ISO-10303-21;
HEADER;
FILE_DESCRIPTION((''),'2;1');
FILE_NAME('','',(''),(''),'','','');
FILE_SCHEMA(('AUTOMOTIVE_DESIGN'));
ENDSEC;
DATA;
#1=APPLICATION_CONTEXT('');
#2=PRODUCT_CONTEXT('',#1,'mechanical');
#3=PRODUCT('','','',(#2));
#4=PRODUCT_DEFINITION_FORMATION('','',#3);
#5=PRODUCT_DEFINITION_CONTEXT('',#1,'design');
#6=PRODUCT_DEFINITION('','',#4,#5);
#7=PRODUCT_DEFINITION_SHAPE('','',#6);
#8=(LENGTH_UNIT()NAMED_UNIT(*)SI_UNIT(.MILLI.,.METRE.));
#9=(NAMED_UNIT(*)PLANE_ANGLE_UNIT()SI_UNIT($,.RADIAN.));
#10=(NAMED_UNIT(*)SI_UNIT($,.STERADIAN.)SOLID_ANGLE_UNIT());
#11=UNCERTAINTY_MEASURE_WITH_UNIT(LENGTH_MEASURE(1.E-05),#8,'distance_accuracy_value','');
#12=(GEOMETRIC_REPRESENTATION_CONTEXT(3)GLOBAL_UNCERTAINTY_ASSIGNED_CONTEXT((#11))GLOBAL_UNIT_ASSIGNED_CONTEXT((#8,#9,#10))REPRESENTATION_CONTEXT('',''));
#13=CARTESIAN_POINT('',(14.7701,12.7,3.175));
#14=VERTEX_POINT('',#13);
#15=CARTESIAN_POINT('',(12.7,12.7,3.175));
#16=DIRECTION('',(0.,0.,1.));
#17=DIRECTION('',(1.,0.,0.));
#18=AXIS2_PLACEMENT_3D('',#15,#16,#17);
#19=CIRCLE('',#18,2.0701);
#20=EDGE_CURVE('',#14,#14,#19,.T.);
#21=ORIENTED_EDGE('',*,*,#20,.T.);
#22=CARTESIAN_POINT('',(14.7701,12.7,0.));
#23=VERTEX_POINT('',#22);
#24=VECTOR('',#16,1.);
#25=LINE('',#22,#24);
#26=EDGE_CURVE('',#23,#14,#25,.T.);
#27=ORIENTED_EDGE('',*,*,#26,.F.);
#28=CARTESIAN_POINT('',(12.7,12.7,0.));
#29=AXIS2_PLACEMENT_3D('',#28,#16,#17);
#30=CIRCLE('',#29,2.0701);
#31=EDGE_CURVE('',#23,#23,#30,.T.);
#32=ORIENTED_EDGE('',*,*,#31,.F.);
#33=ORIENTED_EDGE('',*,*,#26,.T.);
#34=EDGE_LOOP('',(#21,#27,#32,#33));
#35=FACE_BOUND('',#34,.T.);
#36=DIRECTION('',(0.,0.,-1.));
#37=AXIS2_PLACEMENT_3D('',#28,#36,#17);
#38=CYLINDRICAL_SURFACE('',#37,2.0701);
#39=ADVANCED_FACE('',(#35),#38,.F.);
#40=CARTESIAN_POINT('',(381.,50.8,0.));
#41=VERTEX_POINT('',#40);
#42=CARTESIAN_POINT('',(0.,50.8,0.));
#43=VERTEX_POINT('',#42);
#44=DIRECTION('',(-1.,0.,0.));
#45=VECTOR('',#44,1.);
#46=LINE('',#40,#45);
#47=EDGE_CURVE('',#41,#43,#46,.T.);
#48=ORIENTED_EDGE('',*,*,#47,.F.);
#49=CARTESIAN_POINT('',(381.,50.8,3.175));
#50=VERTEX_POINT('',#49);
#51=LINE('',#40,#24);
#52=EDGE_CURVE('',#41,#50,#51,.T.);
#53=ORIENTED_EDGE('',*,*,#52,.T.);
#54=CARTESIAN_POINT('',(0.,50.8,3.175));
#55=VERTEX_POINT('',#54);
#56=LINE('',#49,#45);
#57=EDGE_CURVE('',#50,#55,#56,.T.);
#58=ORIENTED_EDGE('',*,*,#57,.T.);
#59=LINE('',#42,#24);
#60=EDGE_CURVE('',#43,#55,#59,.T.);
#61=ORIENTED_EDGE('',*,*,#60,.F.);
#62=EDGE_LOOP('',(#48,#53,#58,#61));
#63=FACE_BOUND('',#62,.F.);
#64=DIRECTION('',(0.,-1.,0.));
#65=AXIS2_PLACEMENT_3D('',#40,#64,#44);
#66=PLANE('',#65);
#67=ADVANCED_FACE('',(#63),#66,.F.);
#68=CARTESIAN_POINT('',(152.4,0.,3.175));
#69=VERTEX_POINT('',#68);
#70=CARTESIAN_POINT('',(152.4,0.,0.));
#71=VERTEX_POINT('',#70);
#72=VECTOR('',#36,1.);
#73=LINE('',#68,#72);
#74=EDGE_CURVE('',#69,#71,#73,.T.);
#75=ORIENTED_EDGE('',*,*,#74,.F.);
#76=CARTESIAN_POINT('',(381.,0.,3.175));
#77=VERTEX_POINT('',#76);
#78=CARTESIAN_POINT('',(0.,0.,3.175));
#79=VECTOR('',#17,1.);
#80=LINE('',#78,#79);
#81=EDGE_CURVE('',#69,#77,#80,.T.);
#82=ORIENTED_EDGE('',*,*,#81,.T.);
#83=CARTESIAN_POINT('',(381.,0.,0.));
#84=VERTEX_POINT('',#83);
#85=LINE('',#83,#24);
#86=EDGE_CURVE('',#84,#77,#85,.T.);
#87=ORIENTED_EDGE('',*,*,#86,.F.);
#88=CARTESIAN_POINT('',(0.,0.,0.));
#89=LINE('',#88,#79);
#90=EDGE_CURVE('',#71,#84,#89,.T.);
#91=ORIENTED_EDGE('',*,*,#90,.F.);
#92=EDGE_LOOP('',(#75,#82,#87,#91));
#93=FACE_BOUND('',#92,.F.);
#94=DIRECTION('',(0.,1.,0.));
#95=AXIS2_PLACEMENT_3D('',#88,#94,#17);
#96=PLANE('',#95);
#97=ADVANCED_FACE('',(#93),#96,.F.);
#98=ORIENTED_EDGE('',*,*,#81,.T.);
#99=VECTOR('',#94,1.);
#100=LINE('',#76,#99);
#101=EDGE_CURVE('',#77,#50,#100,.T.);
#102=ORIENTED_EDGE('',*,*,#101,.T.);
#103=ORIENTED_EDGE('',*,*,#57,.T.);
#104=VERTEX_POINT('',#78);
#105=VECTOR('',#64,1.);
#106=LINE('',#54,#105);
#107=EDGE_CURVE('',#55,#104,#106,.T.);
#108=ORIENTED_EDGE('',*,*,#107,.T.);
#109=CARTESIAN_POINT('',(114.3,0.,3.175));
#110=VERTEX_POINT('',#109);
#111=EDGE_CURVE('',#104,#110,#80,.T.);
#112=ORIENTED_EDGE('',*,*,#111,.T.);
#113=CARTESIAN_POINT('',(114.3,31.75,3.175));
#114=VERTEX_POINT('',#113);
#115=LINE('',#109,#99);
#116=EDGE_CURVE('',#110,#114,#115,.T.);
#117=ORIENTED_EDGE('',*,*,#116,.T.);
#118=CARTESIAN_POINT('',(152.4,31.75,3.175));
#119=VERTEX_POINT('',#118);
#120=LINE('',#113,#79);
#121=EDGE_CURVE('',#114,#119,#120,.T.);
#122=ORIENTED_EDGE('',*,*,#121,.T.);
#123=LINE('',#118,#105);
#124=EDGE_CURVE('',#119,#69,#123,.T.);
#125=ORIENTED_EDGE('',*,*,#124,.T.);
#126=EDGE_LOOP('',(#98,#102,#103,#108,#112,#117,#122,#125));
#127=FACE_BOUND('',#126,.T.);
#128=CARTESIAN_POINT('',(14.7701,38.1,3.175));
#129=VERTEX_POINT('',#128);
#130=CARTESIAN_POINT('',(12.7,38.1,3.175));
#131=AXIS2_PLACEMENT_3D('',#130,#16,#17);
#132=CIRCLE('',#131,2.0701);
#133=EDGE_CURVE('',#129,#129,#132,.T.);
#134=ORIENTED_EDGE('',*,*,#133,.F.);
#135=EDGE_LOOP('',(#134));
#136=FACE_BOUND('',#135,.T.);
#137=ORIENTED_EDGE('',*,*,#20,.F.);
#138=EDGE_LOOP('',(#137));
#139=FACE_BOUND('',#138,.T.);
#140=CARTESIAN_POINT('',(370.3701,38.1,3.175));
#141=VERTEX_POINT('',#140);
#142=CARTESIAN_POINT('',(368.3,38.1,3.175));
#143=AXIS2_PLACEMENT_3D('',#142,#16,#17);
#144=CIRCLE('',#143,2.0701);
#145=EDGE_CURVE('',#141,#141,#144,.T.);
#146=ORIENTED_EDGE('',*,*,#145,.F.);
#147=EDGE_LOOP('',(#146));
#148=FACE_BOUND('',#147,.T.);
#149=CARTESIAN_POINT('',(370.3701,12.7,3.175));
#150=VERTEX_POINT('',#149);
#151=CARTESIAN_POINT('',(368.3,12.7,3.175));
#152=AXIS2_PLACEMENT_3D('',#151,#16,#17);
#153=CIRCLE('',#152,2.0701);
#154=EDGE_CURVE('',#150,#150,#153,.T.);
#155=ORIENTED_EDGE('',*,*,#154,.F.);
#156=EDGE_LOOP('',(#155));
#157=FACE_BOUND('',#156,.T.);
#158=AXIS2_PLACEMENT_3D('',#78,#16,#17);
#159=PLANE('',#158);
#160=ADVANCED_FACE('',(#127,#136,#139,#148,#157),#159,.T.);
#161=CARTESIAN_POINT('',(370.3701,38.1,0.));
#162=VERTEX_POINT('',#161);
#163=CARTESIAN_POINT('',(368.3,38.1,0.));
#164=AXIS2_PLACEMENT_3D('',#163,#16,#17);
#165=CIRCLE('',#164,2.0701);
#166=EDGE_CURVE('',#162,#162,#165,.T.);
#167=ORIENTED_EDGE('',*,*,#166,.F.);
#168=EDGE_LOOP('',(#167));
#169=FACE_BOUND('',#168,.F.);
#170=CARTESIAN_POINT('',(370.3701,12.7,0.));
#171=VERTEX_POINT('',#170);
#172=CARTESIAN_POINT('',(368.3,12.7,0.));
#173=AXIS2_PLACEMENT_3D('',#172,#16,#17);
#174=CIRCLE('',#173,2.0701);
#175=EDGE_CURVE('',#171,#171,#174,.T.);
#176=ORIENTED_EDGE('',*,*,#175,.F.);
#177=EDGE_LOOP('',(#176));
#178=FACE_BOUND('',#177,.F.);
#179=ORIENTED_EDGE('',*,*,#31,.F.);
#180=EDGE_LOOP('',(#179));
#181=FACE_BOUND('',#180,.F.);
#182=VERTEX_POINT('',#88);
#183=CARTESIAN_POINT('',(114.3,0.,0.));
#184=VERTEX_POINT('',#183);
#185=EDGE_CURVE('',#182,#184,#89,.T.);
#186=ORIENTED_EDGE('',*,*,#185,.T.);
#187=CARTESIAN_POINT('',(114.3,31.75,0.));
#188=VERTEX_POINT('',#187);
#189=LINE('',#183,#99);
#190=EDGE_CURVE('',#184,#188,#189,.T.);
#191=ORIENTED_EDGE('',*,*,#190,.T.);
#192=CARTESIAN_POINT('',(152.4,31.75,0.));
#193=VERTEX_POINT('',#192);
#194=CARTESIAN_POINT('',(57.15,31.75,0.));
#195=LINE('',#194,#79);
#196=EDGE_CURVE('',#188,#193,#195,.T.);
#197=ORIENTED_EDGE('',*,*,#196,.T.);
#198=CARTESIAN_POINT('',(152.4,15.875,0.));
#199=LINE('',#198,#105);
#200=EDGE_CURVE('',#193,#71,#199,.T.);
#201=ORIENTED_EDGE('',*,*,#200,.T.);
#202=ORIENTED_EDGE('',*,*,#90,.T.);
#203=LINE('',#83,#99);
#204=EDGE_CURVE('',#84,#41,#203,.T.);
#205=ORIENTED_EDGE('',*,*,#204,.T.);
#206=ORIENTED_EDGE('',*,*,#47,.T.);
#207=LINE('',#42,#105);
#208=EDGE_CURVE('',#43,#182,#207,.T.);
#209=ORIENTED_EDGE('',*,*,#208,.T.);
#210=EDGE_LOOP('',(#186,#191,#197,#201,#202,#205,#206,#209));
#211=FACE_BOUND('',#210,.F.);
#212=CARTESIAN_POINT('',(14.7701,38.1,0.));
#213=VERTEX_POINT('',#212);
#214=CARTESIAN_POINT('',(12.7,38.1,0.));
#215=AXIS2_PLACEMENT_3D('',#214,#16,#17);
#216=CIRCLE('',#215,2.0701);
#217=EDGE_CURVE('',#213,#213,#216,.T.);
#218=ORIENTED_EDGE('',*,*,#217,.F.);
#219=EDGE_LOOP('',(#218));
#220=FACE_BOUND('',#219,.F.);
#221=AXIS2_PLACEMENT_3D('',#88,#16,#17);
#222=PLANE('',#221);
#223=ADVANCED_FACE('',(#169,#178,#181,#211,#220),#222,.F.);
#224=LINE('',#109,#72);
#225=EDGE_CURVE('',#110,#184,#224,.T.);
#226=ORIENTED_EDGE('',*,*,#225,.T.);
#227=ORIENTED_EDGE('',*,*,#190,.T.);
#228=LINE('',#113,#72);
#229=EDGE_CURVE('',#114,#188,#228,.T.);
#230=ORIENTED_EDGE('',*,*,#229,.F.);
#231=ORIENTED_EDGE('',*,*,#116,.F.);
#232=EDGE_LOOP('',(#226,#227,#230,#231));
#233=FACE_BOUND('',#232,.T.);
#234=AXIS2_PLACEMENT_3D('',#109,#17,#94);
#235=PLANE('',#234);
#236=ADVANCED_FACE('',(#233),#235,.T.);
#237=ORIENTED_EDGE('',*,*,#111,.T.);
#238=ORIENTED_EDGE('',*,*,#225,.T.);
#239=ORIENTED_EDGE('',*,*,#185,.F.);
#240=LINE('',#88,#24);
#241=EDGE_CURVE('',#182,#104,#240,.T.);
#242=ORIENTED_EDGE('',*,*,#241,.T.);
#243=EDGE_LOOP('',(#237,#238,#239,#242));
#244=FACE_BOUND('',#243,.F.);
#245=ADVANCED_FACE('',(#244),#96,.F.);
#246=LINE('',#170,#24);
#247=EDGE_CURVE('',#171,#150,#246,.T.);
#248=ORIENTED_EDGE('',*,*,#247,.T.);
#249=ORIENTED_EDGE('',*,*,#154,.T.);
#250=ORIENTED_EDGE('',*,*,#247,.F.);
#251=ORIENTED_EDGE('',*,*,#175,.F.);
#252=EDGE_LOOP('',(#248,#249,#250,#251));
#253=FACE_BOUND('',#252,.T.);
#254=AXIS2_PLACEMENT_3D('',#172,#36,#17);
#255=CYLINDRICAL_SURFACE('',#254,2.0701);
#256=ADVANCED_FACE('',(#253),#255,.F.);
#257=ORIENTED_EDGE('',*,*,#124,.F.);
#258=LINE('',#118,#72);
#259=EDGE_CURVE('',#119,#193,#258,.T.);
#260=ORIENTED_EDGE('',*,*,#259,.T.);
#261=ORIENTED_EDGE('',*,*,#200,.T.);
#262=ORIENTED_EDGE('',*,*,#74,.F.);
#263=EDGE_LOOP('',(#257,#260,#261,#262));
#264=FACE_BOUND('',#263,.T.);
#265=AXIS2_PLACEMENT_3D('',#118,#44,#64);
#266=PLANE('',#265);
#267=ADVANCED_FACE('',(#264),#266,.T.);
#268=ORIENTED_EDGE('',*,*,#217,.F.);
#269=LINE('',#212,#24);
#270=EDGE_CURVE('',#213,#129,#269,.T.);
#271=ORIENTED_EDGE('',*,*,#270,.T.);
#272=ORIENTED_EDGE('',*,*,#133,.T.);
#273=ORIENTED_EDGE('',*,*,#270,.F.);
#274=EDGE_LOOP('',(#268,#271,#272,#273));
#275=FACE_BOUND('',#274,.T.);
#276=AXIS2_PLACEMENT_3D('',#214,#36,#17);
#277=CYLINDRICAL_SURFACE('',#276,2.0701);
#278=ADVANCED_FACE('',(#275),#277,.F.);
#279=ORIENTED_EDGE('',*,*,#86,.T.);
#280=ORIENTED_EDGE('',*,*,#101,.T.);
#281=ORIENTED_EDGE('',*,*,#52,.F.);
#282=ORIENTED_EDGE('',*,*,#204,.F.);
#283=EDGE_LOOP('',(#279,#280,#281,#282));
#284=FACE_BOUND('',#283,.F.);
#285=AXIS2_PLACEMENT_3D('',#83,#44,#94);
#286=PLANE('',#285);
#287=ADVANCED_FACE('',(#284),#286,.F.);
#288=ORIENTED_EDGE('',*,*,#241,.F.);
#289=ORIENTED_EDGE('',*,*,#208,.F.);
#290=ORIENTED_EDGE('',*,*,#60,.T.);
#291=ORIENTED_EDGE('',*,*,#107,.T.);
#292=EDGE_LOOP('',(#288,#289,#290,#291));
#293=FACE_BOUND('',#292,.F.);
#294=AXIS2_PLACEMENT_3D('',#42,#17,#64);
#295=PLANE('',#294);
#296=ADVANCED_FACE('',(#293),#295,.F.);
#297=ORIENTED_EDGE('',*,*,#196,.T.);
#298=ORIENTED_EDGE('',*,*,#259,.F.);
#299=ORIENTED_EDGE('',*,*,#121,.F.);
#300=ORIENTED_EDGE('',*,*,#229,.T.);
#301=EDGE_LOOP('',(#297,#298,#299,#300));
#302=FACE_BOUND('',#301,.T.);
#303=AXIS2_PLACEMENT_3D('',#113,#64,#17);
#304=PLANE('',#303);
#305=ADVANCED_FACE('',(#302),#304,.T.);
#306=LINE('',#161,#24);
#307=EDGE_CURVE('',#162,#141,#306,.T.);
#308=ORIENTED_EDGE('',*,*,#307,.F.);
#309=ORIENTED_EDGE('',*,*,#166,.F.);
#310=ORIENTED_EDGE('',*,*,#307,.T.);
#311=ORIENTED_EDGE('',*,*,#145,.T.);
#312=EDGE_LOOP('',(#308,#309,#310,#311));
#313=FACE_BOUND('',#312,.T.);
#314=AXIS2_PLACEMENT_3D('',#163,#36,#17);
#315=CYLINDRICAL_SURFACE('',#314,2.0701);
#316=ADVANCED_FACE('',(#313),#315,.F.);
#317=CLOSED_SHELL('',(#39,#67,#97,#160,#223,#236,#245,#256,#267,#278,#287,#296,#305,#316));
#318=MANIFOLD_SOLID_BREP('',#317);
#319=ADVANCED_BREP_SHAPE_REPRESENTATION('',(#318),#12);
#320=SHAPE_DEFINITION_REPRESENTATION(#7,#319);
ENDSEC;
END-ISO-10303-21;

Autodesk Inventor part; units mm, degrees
ref_plane "YZ Plane" through (0, 0, 0) normal (1, 0, 0) x (0, 1, 0)
ref_plane "XZ Plane" through (0, 0, 0) normal (0, 1, 0) x (-1, 0, 0)
ref_plane "XY Plane" through (0, 0, 0) normal (0, 0, 1) x (1, 0, 0)
sketch "Sketch1" plane through (0, 0, 0) normal (0, 0, 1) x (1, 0, 0)
  line L0 (0, 0) -> (381, 0)
  line L1 (381, 0) -> (381, 50.8)
  line L2 (381, 50.8) -> (0, 50.8)
  line L3 (0, 50.8) -> (0, 0)
  circle A0 centre (12.7, 12.7) radius 2.0701
  circle A1 centre (12.7, 38.1) radius 2.0701
  circle A2 centre (368.3, 12.7) radius 2.0701
  circle A3 centre (368.3, 38.1) radius 2.0701
  dimension "d0" = 50.8
  dimension "d1" = 381
  dimension "d2" = 4.1402
  dimension "d3" = 12.7
  dimension "d4" = 12.7
  dimension "d7" = 25.4
  dimension "d10" = 355.6
extrude "Extrusion1" add sketch "Sketch1" along normal blind 3.175
sketch "Sketch2" plane through (0, 0, 3.175) normal (0, 0, 1) x (1, 0, 0)
  line L0 (0, 0) -> (381, 0) projected
  line L1 (0, 50.8) -> (0, 0) projected
  line L2 (152.4, 0) -> (114.3, 0)
  line L3 (114.3, 0) -> (114.3, 31.75)
  line L4 (114.3, 31.75) -> (152.4, 31.75)
  line L5 (152.4, 31.75) -> (152.4, 0)
  dimension "d15" = 31.75
  dimension "d16" = 38.1
  dimension "d17" = 114.3
extrude "Extrusion2" cut sketch "Sketch2" against normal blind 25.4
properties part number "Polycarbonate Sheet" material "Polycarbonate, Clear"
